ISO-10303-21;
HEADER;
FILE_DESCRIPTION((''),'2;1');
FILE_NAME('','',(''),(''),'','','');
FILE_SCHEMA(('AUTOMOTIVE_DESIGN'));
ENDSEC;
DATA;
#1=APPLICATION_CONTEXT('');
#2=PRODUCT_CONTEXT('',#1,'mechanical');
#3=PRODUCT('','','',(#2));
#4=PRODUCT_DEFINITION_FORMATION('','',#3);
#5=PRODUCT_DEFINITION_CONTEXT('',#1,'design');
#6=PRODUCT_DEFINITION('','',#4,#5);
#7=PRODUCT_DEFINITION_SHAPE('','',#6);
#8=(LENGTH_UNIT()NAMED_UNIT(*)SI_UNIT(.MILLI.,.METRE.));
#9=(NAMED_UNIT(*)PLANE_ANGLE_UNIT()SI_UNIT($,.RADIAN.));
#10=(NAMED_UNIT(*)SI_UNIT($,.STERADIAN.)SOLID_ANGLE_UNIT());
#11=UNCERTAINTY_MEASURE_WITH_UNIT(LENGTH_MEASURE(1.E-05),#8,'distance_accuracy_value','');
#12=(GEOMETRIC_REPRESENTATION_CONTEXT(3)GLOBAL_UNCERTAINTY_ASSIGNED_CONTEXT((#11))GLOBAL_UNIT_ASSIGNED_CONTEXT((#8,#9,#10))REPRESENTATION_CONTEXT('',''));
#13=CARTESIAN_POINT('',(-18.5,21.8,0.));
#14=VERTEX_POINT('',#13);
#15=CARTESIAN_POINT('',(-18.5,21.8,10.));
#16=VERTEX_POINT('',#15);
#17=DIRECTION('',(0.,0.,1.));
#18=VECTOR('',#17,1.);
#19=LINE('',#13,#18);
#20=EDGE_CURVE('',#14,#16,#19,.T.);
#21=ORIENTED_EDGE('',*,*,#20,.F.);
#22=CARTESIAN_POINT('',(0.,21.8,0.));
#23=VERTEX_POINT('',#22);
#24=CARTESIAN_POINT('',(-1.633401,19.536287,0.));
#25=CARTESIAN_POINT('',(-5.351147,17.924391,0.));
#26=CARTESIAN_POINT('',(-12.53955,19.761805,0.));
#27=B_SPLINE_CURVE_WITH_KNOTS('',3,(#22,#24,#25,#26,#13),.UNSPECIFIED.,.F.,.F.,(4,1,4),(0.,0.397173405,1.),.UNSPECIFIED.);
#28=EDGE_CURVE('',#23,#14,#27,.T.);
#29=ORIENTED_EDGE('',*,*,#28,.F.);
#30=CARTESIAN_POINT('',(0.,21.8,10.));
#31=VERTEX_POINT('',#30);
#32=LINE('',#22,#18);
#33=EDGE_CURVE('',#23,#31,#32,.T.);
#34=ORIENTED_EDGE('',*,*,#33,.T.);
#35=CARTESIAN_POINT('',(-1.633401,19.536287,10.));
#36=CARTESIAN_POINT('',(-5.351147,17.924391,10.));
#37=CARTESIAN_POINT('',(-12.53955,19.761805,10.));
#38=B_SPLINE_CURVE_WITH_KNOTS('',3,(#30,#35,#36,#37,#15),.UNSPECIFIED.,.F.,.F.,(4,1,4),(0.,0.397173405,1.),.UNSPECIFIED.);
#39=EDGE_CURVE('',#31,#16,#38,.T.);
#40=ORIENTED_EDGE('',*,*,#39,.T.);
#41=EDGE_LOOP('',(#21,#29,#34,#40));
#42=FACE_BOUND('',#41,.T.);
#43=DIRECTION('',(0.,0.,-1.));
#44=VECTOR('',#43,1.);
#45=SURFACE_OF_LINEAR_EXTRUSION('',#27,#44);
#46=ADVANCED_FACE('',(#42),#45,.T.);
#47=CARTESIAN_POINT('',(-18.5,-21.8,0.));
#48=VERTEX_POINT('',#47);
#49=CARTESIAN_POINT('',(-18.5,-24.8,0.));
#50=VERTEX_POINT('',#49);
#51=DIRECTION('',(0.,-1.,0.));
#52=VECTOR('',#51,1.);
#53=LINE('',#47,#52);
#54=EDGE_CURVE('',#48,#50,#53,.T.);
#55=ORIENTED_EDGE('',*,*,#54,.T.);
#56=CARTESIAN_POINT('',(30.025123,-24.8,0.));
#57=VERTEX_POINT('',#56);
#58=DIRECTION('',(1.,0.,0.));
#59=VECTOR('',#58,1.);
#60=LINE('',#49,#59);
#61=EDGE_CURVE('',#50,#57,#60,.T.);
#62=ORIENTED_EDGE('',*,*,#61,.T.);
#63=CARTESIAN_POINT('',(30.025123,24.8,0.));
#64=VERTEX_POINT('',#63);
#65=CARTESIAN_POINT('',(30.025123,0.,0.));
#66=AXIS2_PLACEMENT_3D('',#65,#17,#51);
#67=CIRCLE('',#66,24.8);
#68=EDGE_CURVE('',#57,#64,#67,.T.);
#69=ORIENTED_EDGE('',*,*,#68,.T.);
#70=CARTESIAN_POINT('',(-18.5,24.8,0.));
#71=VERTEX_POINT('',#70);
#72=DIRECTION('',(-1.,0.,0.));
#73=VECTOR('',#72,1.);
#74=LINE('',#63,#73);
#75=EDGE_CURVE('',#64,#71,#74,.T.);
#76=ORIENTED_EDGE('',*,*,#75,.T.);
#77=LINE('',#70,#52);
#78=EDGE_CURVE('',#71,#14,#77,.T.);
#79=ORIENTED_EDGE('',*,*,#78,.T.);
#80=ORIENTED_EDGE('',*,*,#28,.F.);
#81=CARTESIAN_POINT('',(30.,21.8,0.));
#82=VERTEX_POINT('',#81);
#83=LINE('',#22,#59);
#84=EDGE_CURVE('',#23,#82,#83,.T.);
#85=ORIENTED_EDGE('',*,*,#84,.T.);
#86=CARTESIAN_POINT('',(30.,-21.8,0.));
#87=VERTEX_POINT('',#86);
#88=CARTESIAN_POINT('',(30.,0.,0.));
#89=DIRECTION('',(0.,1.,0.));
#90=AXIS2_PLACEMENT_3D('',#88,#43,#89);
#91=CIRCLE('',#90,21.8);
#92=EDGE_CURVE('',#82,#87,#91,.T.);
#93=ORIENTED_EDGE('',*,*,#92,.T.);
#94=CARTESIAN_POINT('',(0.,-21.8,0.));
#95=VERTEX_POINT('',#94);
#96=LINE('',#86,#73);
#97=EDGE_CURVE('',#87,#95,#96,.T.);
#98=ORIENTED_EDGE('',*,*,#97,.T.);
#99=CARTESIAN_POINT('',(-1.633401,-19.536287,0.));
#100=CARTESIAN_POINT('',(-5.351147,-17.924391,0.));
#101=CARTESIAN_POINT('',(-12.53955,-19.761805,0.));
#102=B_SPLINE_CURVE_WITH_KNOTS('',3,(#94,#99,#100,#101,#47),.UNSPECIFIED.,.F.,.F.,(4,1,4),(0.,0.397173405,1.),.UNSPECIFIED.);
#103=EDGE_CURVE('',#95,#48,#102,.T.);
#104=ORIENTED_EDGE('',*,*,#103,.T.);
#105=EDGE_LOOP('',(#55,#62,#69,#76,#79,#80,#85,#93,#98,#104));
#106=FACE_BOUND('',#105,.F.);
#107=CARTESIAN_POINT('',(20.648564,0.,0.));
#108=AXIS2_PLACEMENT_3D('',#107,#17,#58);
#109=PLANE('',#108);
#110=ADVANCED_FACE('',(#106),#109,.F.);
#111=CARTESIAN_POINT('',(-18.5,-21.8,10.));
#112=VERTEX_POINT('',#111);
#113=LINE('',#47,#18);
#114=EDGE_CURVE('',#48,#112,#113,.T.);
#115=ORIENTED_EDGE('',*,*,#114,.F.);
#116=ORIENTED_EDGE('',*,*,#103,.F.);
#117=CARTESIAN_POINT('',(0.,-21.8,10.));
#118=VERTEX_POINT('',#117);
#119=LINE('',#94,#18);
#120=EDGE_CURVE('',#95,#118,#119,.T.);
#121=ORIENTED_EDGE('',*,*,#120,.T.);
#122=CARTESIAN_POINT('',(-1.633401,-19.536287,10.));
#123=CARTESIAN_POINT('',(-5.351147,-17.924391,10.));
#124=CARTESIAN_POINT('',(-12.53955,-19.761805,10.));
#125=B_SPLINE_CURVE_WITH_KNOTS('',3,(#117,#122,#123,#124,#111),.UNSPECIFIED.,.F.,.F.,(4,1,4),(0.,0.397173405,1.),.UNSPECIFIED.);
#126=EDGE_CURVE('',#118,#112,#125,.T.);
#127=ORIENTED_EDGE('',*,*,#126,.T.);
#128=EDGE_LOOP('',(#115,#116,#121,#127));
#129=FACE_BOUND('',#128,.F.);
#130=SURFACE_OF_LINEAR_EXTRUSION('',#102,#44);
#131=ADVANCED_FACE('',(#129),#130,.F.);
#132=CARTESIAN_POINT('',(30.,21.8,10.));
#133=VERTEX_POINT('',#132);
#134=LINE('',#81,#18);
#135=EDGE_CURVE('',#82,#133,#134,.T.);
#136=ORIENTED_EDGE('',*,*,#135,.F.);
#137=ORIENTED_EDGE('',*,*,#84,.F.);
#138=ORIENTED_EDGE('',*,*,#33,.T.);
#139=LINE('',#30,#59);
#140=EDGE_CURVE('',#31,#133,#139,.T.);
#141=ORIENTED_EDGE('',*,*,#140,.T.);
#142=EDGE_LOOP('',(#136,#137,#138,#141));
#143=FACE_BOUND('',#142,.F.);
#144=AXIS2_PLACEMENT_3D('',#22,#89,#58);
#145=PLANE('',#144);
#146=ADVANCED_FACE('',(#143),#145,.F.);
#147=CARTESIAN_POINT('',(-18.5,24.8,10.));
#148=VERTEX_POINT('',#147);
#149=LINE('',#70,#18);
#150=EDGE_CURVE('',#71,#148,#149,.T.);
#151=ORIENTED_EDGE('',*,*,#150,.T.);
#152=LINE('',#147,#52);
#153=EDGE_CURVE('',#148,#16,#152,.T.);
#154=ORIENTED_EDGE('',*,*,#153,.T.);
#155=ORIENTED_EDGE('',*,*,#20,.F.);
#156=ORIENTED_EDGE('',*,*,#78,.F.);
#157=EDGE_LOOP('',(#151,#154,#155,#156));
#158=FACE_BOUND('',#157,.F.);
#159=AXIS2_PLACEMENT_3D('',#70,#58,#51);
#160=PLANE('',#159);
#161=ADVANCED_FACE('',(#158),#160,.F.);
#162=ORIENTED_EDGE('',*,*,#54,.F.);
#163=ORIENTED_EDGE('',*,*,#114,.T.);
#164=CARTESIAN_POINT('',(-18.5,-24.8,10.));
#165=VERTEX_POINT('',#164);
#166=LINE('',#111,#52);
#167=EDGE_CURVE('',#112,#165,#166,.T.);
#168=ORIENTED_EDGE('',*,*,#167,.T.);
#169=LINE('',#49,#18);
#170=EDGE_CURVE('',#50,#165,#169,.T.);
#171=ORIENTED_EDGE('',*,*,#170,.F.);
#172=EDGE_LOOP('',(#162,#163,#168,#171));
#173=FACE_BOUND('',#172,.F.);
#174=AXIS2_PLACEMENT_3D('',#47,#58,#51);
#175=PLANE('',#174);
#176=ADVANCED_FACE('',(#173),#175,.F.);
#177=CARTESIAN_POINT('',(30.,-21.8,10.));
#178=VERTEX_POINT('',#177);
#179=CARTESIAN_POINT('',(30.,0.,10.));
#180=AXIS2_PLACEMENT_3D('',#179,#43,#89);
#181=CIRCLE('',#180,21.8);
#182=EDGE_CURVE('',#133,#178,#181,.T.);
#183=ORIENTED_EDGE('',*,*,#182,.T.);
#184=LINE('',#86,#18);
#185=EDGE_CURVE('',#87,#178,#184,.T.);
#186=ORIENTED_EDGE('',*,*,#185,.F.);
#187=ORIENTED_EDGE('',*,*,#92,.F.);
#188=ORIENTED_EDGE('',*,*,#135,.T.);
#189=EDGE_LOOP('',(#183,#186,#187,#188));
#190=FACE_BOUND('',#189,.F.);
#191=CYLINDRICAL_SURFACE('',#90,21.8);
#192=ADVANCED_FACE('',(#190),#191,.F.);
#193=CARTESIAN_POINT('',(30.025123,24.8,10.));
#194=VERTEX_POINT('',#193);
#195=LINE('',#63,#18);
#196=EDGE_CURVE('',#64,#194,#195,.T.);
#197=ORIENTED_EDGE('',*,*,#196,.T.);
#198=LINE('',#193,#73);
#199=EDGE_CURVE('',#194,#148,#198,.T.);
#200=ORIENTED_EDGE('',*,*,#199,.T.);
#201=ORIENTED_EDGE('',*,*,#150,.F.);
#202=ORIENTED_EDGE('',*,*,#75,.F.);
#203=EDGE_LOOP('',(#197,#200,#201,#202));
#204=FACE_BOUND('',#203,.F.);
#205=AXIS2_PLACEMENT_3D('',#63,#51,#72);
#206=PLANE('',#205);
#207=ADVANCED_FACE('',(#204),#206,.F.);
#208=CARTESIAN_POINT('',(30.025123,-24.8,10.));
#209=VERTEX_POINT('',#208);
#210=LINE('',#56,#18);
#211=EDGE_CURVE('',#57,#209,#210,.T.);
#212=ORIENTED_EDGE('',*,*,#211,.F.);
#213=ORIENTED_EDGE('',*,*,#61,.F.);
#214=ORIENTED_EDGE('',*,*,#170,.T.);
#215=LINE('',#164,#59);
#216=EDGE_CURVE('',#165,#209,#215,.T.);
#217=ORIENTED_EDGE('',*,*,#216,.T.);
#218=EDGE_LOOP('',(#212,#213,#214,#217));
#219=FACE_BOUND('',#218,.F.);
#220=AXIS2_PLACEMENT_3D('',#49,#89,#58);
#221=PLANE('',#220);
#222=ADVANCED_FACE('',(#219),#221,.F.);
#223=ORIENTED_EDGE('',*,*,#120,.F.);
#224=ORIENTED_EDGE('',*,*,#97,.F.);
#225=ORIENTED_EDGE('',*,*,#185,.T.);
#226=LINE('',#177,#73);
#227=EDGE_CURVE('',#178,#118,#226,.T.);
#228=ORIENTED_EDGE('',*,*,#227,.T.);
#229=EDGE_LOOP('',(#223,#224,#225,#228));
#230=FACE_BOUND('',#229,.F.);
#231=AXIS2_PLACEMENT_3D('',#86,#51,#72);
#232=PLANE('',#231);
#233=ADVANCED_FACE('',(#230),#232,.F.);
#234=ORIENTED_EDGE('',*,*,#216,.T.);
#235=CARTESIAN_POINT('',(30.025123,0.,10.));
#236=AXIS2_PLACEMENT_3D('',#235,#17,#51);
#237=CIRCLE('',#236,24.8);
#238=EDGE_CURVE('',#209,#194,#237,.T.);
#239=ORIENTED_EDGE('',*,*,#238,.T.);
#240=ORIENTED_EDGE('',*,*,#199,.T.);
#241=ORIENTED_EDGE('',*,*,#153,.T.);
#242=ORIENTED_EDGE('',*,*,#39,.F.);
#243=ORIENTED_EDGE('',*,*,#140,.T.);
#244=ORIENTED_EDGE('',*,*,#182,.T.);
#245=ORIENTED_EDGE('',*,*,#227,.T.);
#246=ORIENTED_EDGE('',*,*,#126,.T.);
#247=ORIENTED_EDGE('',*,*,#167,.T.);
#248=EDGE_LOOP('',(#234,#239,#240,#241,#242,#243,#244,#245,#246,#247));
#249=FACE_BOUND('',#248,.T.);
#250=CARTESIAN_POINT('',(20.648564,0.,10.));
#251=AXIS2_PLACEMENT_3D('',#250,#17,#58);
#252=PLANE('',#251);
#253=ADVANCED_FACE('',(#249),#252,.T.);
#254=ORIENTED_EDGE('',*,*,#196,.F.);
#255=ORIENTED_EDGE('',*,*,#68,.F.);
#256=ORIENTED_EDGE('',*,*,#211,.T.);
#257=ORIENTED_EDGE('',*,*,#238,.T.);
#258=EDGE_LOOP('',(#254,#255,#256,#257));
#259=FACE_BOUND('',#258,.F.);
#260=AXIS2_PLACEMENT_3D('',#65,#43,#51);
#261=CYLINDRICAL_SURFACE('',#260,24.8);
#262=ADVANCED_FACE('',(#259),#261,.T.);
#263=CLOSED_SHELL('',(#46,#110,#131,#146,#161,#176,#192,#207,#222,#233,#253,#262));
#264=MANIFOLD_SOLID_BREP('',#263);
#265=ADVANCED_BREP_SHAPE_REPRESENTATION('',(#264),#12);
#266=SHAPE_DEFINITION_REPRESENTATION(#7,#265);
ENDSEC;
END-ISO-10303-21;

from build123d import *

# Parameters (mm, degrees)
F1_DEPTH = 10


with BuildPart() as f1:
    # F0 (on Top) → F1 (new body)
    with BuildSketch(Plane.XY):
        with BuildLine():
            Line((30, -21.8), (0, -21.8))
            add(Edge.make_bspline(
                [(0, -21.8), (-1.6334013165, -19.5362873508), (-5.3511473255, -17.9243908717), (-12.5395497227, -19.7618053971), (-18.5, -21.8)],
                knots=[0, 0, 0, 0, 0.3971734047, 1, 1, 1, 1], degree=3))
            Line((-18.5, -21.8), (-18.5, -24.8))
            Line((-18.5, -24.8), (0, -24.8))
            Line((0, -24.8), (30.0251226872, -24.8))
            ThreePointArc((30.0251226872, -24.8), (54.8251226872, 0), (30.0251226872, 24.8))
            Line((30.0251226872, 24.8), (0, 24.8))
            Line((0, 24.8), (-18.5, 24.8))
            Line((-18.5, 24.8), (-18.5, 21.8))
            add(Edge.make_bspline(
                [(0, 21.8), (-1.6334013165, 19.5362873508), (-5.3511473255, 17.9243908717), (-12.5395497227, 19.7618053971), (-18.5, 21.8)],
                knots=[0, 0, 0, 0, 0.3971734047, 1, 1, 1, 1], degree=3))
            Line((0, 21.8), (30, 21.8))
            ThreePointArc((30, 21.8), (51.8, 0), (30, -21.8))
        make_face()
    extrude(amount=F1_DEPTH)


solid = f1.part
